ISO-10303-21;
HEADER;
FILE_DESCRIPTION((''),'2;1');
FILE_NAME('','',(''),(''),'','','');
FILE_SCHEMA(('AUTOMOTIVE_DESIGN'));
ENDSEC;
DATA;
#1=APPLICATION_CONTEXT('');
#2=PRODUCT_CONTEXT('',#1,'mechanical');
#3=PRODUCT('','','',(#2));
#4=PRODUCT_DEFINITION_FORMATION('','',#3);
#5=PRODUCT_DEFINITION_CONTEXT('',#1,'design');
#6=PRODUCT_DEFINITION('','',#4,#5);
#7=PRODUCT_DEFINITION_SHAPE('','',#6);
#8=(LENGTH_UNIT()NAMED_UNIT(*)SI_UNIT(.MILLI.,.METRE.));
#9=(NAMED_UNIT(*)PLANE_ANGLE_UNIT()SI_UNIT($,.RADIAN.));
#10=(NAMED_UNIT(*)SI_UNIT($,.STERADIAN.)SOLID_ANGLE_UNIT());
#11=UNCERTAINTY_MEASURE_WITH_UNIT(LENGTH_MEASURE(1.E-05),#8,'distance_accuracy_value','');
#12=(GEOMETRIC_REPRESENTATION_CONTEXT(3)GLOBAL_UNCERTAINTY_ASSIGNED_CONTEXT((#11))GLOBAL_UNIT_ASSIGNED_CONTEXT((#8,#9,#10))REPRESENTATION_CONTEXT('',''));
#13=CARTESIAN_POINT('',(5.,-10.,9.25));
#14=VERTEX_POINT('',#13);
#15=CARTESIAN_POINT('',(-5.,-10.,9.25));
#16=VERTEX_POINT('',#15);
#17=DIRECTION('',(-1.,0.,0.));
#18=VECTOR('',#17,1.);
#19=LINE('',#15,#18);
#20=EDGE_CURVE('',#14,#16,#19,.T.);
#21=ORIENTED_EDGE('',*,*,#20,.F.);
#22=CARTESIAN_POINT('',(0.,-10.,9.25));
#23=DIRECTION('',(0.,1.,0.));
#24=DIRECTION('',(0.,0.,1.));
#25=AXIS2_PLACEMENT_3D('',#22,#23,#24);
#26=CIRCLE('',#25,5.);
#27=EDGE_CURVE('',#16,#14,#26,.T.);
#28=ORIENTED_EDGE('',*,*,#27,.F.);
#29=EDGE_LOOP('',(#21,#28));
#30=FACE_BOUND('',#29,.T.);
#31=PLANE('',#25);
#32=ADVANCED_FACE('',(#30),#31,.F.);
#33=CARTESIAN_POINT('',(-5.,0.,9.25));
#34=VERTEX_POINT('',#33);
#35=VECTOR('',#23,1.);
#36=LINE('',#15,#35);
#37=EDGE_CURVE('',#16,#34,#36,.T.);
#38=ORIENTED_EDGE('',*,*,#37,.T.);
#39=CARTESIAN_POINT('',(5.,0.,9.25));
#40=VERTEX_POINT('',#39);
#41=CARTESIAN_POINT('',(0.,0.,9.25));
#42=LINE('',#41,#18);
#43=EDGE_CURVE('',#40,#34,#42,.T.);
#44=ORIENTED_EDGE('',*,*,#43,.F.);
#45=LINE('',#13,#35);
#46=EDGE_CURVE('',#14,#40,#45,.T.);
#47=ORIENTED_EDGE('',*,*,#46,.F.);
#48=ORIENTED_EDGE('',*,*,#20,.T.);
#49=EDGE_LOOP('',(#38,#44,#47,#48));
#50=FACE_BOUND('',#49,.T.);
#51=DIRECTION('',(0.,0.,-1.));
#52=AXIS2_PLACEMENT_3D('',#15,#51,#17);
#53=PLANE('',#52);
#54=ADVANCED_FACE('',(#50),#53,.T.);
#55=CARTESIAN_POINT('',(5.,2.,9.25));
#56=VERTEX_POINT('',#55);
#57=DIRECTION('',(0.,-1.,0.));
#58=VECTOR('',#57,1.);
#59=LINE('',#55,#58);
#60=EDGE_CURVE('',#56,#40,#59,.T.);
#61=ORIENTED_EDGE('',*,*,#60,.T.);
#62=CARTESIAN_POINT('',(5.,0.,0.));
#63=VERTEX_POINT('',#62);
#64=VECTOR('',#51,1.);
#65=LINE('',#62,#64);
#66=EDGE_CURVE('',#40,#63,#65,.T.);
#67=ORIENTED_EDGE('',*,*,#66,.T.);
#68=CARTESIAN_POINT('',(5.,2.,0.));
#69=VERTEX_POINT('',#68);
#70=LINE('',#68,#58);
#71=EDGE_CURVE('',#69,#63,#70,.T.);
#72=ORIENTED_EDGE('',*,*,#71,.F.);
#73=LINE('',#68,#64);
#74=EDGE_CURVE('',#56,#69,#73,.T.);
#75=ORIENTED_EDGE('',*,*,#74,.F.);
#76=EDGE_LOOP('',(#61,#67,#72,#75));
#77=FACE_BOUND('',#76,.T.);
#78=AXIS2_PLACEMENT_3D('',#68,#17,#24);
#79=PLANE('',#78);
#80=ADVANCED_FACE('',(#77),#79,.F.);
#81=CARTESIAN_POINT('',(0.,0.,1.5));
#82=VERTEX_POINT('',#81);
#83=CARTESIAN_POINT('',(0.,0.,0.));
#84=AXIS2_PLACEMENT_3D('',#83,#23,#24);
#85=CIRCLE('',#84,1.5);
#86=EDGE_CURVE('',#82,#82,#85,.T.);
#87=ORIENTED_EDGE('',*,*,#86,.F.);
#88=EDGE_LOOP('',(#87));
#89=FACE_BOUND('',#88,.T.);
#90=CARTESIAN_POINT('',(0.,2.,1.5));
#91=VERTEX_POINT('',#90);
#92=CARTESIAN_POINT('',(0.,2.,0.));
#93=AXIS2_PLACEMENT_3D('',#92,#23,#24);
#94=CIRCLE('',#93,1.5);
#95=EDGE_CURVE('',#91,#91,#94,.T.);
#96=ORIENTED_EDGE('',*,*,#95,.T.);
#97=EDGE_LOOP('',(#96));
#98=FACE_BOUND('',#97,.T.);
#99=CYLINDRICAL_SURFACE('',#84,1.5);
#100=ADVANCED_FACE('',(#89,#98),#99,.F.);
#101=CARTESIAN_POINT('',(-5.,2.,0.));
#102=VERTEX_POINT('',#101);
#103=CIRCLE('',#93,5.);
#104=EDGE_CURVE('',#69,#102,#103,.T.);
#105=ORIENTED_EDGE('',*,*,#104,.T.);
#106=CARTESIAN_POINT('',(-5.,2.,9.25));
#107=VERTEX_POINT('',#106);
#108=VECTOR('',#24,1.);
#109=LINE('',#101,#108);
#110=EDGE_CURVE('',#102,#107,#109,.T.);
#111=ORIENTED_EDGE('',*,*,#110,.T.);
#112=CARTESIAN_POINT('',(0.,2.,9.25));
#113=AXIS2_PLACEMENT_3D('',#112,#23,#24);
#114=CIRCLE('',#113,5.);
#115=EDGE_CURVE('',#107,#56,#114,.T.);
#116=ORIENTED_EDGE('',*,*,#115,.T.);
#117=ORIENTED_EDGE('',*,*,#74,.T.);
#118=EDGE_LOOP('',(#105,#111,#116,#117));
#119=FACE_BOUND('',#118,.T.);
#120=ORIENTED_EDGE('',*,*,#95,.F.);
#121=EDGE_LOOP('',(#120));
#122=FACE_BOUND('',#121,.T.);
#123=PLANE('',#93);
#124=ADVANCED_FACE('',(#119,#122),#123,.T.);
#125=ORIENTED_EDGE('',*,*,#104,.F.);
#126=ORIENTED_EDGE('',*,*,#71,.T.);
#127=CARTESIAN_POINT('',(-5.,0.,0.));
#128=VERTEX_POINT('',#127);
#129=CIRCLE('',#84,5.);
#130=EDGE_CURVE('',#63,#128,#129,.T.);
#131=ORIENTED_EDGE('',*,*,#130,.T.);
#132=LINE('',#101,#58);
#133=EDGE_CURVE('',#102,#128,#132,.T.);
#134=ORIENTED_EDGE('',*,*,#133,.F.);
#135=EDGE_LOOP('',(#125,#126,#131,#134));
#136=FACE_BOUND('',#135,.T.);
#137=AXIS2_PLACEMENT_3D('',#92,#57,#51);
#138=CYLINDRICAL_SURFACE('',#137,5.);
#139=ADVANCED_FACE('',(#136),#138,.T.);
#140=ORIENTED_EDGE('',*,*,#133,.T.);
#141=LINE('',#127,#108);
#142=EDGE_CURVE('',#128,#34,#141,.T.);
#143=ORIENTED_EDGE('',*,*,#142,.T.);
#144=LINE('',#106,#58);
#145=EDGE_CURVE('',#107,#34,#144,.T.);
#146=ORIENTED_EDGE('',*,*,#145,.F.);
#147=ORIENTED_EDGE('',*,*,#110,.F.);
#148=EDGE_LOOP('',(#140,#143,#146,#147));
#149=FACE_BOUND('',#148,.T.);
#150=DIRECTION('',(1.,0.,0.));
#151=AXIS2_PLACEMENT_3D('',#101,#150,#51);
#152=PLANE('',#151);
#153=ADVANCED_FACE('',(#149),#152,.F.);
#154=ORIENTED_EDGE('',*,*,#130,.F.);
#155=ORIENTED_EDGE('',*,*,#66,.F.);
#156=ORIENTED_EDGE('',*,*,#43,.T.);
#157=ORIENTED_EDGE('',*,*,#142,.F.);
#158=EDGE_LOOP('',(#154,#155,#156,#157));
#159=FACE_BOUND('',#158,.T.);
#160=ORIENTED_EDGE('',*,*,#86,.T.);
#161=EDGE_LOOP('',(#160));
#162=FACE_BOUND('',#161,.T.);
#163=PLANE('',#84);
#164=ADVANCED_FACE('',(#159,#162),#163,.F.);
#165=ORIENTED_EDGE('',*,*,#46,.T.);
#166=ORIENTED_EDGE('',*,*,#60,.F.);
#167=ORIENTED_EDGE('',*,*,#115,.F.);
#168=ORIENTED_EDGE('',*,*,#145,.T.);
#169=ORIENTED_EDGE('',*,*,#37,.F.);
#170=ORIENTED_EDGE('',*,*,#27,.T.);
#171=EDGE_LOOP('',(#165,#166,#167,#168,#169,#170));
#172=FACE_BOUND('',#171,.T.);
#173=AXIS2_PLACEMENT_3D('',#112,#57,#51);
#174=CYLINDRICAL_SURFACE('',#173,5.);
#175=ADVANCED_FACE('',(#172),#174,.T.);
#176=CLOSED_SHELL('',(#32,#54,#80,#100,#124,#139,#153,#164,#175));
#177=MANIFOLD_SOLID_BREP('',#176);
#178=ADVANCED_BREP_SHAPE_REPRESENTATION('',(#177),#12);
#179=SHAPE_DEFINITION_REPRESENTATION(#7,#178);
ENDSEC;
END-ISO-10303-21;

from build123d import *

# Parameters (mm, degrees)
EXTRUDE_1_DEPTH     = 2
SKETCH_2_R          = 1.5
CUT_EXTRUDE_1_DEPTH = 2
EXTRUDE_START       = -12
EXTRUDE_2_DEPTH     = 12


with BuildPart() as part:
    # 草图1 → 凸台-拉伸1 (new body)
    with BuildSketch(Plane(origin=(0, 0, 0), x_dir=(1, 0, 0), z_dir=(0, 1, 0))):
        with BuildLine():
            Line((-5, 0), (-5, -9.25))
            ThreePointArc((-5, -9.25), (0, -14.25), (5, -9.25))
            Line((5, -9.25), (5, 0))
            ThreePointArc((5, 0), (0, 5), (-5, 0))
        make_face()
    extrude(amount=EXTRUDE_1_DEPTH)

    # 草图2 → 切除-拉伸1 (cut)
    with BuildSketch(Plane(origin=(0, 2, 0), x_dir=(1, 0, 0), z_dir=(0, 1, 0))):
        with Locations(Location((0, 0, 0), (0, 0, 270))):
            Circle(SKETCH_2_R)
    extrude(amount=-CUT_EXTRUDE_1_DEPTH, mode=Mode.SUBTRACT)

    # 草图3 → 凸台-拉伸2 (add)
    with BuildSketch(Plane(origin=(0, 2, 0), x_dir=(1, 0, 0), z_dir=(0, 1, 0)).offset(EXTRUDE_START)):
        with BuildLine():
            Line((-5, -9.25), (5, -9.25))
            ThreePointArc((5, -9.25), (0, -14.25), (-5, -9.25))
        make_face()
    extrude(amount=EXTRUDE_2_DEPTH)


solid = part.part
